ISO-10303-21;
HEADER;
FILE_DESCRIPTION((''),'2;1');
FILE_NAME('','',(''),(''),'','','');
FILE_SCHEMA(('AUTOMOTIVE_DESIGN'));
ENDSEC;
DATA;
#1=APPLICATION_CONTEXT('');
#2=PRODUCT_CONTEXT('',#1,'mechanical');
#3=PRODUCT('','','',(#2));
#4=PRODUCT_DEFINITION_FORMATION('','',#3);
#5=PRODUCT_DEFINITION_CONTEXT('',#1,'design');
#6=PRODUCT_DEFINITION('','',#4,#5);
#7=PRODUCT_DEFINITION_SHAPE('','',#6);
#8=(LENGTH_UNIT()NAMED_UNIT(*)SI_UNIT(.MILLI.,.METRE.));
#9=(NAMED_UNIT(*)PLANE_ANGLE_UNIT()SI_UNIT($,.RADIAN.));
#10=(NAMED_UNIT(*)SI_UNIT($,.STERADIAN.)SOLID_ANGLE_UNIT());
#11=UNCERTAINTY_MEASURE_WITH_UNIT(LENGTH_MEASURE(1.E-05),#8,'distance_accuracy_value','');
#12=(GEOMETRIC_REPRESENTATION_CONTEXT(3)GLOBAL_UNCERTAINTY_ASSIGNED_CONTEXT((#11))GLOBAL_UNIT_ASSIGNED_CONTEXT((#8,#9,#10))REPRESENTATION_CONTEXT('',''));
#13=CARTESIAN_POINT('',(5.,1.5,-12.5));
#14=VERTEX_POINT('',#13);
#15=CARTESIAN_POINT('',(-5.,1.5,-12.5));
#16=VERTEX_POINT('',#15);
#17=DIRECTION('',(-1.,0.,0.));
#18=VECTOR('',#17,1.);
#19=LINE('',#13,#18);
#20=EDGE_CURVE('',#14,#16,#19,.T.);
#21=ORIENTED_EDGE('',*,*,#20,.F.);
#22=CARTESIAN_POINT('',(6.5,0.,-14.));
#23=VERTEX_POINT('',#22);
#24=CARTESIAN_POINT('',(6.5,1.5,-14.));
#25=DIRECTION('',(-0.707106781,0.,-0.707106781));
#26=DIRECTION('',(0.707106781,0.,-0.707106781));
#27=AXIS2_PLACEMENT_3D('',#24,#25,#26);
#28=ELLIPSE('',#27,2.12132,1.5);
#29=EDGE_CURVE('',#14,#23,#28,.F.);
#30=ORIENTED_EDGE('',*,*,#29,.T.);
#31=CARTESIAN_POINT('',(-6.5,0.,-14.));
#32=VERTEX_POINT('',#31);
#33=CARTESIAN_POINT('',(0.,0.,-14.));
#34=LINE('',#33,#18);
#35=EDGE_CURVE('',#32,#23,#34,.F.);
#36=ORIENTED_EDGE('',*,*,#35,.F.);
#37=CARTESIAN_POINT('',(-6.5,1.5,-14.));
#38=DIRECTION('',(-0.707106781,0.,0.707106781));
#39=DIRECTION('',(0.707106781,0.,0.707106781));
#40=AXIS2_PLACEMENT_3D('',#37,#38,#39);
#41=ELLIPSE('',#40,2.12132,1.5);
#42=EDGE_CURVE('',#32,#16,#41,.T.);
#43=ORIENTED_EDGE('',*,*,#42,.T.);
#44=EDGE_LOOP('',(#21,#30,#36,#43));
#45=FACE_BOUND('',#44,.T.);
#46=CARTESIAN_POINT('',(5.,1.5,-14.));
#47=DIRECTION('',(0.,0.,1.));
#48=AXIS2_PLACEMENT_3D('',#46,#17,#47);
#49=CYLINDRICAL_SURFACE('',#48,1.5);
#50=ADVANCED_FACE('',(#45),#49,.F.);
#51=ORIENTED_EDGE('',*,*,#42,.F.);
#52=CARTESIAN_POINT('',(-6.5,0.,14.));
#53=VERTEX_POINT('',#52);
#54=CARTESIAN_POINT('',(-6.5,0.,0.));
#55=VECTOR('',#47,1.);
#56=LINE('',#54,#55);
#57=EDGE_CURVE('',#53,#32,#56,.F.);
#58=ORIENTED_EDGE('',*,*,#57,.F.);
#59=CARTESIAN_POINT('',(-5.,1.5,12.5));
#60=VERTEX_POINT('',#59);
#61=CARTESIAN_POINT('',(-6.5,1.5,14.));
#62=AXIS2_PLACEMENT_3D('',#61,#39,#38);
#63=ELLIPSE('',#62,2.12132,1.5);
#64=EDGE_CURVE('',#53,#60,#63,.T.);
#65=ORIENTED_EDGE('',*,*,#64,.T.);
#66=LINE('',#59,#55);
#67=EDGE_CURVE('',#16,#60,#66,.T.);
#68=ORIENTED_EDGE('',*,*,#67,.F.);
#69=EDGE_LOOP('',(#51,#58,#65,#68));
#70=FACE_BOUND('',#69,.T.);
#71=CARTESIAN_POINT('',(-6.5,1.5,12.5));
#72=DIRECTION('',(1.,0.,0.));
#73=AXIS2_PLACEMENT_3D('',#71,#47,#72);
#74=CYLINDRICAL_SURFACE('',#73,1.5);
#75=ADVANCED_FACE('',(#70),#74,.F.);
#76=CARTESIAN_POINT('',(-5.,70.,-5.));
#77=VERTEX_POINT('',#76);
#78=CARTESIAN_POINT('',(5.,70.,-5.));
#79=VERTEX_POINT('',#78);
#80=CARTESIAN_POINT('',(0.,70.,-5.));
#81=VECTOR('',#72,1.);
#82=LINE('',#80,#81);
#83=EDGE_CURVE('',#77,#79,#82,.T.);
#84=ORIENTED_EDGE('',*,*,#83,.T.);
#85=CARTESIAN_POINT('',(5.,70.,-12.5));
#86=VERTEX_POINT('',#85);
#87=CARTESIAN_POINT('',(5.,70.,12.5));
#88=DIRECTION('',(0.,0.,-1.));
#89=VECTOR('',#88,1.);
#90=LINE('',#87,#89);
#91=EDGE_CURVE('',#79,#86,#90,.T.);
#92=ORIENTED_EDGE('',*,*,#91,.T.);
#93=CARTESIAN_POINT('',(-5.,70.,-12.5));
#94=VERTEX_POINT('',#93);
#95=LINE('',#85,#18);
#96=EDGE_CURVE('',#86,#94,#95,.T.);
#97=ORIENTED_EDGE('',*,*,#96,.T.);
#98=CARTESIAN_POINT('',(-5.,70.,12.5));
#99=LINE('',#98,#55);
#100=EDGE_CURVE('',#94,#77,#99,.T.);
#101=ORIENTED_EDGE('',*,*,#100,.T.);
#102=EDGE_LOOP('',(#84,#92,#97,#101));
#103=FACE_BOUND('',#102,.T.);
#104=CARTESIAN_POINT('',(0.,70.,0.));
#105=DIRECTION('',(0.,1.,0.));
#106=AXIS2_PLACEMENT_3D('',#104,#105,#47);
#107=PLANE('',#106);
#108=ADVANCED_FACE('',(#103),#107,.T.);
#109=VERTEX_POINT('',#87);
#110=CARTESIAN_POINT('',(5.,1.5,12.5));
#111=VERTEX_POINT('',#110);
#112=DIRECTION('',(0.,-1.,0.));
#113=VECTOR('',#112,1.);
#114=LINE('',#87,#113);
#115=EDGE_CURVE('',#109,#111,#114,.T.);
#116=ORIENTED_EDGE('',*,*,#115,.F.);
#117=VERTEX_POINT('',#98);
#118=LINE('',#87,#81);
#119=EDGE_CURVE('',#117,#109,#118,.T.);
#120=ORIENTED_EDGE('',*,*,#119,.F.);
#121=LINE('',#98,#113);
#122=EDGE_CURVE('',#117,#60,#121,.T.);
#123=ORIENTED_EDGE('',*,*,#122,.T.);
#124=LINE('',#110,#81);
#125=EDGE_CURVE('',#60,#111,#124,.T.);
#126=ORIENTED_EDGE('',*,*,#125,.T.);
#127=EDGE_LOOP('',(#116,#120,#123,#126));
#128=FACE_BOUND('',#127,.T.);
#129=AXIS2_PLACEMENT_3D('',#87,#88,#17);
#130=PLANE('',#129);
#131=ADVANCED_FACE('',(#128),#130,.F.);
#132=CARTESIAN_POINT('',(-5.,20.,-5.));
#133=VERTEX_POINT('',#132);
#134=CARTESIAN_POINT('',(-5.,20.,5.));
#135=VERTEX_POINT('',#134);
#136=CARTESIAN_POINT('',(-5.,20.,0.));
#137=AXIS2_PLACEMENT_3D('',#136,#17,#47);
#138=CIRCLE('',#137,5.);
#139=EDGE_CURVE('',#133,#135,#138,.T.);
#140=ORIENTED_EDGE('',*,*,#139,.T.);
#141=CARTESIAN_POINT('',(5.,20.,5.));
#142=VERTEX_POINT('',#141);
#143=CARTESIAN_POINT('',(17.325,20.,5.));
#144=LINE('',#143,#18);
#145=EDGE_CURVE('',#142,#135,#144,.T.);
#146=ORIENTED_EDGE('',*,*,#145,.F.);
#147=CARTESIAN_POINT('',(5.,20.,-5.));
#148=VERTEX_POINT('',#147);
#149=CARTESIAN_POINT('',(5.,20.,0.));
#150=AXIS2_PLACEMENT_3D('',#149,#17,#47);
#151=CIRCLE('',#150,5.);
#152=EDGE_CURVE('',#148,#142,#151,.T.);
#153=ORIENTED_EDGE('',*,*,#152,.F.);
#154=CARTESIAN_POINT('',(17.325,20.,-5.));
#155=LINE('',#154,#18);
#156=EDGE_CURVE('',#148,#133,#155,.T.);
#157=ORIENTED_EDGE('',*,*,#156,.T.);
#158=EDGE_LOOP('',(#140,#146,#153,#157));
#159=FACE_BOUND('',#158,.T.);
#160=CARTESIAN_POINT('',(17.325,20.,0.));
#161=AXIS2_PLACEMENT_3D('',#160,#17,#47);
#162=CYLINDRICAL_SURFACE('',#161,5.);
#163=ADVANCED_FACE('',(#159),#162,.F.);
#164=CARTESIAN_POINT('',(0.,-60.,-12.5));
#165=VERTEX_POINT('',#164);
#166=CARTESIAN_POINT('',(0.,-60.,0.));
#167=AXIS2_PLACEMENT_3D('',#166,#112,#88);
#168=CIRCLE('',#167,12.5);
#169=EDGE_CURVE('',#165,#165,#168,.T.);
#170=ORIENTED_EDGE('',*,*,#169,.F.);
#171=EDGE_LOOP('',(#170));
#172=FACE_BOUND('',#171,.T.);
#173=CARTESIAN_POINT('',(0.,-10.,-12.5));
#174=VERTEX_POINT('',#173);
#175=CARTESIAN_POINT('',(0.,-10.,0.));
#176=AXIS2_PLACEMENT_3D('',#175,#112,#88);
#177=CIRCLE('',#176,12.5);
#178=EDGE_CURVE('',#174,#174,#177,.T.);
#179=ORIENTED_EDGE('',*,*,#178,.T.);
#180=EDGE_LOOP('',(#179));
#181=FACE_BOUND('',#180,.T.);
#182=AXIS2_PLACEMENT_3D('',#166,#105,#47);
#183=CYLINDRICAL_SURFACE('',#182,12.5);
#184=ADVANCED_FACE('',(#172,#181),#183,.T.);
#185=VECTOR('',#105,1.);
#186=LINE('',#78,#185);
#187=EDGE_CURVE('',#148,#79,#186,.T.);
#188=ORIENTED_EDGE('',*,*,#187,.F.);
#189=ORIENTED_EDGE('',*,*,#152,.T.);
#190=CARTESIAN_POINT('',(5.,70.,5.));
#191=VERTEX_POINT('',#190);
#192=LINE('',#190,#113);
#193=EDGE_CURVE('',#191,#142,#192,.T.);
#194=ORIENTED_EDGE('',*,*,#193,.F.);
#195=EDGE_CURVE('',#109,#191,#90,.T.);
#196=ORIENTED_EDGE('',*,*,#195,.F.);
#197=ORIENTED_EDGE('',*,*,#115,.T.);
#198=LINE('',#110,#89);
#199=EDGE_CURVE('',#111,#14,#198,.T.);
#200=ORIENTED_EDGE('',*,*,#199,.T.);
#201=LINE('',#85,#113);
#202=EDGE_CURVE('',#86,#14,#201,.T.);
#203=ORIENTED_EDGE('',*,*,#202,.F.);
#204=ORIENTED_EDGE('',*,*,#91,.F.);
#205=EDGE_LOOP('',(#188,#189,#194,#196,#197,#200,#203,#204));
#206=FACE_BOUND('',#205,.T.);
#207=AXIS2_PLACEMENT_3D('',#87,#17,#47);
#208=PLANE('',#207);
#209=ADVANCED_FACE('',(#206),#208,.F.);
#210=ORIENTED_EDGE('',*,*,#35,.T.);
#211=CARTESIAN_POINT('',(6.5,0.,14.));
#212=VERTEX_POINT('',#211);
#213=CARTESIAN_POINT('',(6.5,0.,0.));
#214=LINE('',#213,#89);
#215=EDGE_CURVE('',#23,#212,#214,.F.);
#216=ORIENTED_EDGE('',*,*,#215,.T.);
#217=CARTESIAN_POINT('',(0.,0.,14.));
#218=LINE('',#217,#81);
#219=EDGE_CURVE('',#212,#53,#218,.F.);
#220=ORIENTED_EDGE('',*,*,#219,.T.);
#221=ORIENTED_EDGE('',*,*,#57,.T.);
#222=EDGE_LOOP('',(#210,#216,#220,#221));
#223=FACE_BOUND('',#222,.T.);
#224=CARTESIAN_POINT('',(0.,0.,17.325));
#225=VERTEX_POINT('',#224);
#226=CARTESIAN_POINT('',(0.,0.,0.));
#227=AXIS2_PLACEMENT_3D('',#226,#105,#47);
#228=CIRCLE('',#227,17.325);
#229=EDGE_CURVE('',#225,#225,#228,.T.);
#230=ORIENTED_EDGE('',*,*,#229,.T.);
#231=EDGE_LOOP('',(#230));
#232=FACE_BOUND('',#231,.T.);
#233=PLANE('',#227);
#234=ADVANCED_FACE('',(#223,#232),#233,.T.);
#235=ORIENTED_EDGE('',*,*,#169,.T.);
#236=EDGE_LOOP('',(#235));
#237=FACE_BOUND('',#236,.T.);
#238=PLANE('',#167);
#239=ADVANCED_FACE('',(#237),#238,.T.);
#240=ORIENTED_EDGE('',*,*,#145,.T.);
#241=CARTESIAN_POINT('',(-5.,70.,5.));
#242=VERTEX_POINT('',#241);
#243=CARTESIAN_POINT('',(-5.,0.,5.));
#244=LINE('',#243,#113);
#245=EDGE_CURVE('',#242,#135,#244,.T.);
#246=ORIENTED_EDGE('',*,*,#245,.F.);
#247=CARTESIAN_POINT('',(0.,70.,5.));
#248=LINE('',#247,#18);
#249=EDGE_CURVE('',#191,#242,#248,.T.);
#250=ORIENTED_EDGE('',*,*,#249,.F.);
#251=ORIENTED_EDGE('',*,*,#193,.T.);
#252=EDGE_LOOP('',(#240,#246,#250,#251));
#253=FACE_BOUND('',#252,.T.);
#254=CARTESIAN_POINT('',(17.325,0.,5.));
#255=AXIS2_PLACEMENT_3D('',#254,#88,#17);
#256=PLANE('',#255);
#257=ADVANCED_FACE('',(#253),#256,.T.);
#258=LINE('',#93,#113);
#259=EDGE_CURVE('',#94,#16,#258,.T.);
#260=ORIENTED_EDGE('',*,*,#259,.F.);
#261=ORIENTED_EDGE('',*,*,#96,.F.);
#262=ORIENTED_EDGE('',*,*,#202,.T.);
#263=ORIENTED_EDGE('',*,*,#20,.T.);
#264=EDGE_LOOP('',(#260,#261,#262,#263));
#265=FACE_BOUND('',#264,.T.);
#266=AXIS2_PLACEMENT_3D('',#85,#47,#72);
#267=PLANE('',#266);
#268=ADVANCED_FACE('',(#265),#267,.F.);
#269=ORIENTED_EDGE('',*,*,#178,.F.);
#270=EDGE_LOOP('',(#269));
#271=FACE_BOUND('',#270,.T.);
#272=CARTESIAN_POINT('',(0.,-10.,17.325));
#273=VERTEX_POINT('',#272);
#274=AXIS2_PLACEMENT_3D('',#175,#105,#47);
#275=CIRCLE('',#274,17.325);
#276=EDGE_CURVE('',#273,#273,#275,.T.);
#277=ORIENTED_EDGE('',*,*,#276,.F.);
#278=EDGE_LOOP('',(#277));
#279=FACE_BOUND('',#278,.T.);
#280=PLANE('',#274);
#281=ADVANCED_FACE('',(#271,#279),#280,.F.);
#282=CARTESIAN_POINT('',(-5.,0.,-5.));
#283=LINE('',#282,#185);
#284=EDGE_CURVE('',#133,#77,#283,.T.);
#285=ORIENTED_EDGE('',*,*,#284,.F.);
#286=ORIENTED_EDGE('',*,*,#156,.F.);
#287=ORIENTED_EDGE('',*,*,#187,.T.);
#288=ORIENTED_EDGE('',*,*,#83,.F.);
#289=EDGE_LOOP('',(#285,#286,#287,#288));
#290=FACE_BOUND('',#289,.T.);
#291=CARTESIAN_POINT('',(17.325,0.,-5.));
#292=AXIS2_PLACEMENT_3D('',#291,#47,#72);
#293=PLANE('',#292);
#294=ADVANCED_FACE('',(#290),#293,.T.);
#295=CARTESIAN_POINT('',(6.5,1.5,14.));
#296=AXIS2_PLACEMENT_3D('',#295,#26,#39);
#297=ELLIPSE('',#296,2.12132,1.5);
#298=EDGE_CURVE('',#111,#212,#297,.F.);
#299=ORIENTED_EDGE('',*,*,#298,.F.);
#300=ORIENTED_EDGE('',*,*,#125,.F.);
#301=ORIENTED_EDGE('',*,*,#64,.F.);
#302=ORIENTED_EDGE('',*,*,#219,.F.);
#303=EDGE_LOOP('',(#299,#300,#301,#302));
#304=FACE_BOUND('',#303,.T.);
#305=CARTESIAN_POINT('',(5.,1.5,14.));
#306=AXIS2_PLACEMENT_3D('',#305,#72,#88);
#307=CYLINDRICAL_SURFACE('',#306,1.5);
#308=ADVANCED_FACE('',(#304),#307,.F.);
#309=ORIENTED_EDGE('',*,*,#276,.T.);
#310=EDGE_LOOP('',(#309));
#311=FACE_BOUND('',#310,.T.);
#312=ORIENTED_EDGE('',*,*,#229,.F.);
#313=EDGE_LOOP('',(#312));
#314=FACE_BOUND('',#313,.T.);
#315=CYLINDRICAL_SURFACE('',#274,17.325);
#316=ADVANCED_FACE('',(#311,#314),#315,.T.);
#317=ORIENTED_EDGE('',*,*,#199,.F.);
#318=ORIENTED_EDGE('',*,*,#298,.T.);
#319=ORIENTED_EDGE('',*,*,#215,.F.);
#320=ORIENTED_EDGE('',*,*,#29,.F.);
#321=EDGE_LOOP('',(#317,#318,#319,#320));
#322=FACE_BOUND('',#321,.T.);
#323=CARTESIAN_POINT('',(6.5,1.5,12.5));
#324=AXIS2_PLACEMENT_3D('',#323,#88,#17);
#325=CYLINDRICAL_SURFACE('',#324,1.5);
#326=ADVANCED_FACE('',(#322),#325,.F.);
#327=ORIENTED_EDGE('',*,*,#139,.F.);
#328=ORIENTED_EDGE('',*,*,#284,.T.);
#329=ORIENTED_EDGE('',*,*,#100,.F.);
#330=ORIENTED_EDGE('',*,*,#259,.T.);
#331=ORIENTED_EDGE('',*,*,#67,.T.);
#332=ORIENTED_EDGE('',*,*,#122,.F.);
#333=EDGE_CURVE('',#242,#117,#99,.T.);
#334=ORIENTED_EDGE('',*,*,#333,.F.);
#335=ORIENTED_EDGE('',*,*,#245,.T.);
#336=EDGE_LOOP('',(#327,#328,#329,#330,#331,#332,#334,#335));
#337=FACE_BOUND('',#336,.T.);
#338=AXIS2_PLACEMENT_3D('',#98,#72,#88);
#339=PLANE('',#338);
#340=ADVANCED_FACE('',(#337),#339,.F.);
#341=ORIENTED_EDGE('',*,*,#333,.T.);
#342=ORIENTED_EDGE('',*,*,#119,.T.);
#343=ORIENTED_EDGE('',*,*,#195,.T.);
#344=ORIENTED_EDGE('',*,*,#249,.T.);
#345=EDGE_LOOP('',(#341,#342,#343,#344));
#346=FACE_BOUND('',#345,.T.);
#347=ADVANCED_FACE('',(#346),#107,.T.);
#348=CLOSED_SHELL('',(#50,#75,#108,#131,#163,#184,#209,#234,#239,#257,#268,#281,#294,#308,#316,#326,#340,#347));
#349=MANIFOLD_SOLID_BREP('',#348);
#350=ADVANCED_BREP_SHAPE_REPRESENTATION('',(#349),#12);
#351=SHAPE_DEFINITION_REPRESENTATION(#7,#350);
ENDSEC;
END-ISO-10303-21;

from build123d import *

# Parameters (mm, degrees)
SKETCH1_R           = 17.325
BOSS_EXTRUDE1_DEPTH = 10
SKETCH2_R           = 12.5
BOSS_EXTRUDE2_DEPTH = 50
SKETCH3_W           = 10
SKETCH3_H           = 25
BOSS_EXTRUDE3_DEPTH = 70
FILLET1_R           = 1.5
CUT_EXTRUDE1_DEPTH  = 76.488815397


with BuildPart() as part:
    # Sketch1 → Boss-Extrude1 (new body)
    with BuildSketch(Plane(origin=(0, 0, 0), x_dir=(1, 0, 0), z_dir=(0, 1, 0))):
        with Locations(Location((0, 0, 0), (0, 0, 270))):
            Circle(SKETCH1_R)
    extrude(amount=-BOSS_EXTRUDE1_DEPTH)

    # Sketch2 → Boss-Extrude2 (add)
    with BuildSketch(Plane.XZ.offset(10)):
        with Locations(Location((0, 0, 0), (0, 0, 270))):
            Circle(SKETCH2_R)
    extrude(amount=BOSS_EXTRUDE2_DEPTH)

    # Sketch3 → Boss-Extrude3 (add)
    with BuildSketch(Plane(origin=(0, 0, 0), x_dir=(1, 0, 0), z_dir=(0, 1, 0))):
        Rectangle(SKETCH3_W, SKETCH3_H)
    extrude(amount=BOSS_EXTRUDE3_DEPTH)

    # Fillet1
    fillet1_edges = [part.edges().sort_by_distance(p)[0] for p in [
        (5, 0, 0),
        (0, 0, -12.5),
        (-5, 0, 0),
        (0, 0, 12.5),
    ]]
    fillet(fillet1_edges, radius=FILLET1_R)

    # Sketch4 → Cut-Extrude1 (cut, through all)
    with BuildSketch(Plane.ZY.offset(5)):
        with BuildLine():
            Line((5, 70), (-5, 70))
            Line((-5, 70), (-5, 20))
            ThreePointArc((-5, 20), (0, 15), (5, 20))
            Line((5, 20), (5, 70))
        make_face()
    extrude(amount=-CUT_EXTRUDE1_DEPTH, mode=Mode.SUBTRACT)


solid = part.part
